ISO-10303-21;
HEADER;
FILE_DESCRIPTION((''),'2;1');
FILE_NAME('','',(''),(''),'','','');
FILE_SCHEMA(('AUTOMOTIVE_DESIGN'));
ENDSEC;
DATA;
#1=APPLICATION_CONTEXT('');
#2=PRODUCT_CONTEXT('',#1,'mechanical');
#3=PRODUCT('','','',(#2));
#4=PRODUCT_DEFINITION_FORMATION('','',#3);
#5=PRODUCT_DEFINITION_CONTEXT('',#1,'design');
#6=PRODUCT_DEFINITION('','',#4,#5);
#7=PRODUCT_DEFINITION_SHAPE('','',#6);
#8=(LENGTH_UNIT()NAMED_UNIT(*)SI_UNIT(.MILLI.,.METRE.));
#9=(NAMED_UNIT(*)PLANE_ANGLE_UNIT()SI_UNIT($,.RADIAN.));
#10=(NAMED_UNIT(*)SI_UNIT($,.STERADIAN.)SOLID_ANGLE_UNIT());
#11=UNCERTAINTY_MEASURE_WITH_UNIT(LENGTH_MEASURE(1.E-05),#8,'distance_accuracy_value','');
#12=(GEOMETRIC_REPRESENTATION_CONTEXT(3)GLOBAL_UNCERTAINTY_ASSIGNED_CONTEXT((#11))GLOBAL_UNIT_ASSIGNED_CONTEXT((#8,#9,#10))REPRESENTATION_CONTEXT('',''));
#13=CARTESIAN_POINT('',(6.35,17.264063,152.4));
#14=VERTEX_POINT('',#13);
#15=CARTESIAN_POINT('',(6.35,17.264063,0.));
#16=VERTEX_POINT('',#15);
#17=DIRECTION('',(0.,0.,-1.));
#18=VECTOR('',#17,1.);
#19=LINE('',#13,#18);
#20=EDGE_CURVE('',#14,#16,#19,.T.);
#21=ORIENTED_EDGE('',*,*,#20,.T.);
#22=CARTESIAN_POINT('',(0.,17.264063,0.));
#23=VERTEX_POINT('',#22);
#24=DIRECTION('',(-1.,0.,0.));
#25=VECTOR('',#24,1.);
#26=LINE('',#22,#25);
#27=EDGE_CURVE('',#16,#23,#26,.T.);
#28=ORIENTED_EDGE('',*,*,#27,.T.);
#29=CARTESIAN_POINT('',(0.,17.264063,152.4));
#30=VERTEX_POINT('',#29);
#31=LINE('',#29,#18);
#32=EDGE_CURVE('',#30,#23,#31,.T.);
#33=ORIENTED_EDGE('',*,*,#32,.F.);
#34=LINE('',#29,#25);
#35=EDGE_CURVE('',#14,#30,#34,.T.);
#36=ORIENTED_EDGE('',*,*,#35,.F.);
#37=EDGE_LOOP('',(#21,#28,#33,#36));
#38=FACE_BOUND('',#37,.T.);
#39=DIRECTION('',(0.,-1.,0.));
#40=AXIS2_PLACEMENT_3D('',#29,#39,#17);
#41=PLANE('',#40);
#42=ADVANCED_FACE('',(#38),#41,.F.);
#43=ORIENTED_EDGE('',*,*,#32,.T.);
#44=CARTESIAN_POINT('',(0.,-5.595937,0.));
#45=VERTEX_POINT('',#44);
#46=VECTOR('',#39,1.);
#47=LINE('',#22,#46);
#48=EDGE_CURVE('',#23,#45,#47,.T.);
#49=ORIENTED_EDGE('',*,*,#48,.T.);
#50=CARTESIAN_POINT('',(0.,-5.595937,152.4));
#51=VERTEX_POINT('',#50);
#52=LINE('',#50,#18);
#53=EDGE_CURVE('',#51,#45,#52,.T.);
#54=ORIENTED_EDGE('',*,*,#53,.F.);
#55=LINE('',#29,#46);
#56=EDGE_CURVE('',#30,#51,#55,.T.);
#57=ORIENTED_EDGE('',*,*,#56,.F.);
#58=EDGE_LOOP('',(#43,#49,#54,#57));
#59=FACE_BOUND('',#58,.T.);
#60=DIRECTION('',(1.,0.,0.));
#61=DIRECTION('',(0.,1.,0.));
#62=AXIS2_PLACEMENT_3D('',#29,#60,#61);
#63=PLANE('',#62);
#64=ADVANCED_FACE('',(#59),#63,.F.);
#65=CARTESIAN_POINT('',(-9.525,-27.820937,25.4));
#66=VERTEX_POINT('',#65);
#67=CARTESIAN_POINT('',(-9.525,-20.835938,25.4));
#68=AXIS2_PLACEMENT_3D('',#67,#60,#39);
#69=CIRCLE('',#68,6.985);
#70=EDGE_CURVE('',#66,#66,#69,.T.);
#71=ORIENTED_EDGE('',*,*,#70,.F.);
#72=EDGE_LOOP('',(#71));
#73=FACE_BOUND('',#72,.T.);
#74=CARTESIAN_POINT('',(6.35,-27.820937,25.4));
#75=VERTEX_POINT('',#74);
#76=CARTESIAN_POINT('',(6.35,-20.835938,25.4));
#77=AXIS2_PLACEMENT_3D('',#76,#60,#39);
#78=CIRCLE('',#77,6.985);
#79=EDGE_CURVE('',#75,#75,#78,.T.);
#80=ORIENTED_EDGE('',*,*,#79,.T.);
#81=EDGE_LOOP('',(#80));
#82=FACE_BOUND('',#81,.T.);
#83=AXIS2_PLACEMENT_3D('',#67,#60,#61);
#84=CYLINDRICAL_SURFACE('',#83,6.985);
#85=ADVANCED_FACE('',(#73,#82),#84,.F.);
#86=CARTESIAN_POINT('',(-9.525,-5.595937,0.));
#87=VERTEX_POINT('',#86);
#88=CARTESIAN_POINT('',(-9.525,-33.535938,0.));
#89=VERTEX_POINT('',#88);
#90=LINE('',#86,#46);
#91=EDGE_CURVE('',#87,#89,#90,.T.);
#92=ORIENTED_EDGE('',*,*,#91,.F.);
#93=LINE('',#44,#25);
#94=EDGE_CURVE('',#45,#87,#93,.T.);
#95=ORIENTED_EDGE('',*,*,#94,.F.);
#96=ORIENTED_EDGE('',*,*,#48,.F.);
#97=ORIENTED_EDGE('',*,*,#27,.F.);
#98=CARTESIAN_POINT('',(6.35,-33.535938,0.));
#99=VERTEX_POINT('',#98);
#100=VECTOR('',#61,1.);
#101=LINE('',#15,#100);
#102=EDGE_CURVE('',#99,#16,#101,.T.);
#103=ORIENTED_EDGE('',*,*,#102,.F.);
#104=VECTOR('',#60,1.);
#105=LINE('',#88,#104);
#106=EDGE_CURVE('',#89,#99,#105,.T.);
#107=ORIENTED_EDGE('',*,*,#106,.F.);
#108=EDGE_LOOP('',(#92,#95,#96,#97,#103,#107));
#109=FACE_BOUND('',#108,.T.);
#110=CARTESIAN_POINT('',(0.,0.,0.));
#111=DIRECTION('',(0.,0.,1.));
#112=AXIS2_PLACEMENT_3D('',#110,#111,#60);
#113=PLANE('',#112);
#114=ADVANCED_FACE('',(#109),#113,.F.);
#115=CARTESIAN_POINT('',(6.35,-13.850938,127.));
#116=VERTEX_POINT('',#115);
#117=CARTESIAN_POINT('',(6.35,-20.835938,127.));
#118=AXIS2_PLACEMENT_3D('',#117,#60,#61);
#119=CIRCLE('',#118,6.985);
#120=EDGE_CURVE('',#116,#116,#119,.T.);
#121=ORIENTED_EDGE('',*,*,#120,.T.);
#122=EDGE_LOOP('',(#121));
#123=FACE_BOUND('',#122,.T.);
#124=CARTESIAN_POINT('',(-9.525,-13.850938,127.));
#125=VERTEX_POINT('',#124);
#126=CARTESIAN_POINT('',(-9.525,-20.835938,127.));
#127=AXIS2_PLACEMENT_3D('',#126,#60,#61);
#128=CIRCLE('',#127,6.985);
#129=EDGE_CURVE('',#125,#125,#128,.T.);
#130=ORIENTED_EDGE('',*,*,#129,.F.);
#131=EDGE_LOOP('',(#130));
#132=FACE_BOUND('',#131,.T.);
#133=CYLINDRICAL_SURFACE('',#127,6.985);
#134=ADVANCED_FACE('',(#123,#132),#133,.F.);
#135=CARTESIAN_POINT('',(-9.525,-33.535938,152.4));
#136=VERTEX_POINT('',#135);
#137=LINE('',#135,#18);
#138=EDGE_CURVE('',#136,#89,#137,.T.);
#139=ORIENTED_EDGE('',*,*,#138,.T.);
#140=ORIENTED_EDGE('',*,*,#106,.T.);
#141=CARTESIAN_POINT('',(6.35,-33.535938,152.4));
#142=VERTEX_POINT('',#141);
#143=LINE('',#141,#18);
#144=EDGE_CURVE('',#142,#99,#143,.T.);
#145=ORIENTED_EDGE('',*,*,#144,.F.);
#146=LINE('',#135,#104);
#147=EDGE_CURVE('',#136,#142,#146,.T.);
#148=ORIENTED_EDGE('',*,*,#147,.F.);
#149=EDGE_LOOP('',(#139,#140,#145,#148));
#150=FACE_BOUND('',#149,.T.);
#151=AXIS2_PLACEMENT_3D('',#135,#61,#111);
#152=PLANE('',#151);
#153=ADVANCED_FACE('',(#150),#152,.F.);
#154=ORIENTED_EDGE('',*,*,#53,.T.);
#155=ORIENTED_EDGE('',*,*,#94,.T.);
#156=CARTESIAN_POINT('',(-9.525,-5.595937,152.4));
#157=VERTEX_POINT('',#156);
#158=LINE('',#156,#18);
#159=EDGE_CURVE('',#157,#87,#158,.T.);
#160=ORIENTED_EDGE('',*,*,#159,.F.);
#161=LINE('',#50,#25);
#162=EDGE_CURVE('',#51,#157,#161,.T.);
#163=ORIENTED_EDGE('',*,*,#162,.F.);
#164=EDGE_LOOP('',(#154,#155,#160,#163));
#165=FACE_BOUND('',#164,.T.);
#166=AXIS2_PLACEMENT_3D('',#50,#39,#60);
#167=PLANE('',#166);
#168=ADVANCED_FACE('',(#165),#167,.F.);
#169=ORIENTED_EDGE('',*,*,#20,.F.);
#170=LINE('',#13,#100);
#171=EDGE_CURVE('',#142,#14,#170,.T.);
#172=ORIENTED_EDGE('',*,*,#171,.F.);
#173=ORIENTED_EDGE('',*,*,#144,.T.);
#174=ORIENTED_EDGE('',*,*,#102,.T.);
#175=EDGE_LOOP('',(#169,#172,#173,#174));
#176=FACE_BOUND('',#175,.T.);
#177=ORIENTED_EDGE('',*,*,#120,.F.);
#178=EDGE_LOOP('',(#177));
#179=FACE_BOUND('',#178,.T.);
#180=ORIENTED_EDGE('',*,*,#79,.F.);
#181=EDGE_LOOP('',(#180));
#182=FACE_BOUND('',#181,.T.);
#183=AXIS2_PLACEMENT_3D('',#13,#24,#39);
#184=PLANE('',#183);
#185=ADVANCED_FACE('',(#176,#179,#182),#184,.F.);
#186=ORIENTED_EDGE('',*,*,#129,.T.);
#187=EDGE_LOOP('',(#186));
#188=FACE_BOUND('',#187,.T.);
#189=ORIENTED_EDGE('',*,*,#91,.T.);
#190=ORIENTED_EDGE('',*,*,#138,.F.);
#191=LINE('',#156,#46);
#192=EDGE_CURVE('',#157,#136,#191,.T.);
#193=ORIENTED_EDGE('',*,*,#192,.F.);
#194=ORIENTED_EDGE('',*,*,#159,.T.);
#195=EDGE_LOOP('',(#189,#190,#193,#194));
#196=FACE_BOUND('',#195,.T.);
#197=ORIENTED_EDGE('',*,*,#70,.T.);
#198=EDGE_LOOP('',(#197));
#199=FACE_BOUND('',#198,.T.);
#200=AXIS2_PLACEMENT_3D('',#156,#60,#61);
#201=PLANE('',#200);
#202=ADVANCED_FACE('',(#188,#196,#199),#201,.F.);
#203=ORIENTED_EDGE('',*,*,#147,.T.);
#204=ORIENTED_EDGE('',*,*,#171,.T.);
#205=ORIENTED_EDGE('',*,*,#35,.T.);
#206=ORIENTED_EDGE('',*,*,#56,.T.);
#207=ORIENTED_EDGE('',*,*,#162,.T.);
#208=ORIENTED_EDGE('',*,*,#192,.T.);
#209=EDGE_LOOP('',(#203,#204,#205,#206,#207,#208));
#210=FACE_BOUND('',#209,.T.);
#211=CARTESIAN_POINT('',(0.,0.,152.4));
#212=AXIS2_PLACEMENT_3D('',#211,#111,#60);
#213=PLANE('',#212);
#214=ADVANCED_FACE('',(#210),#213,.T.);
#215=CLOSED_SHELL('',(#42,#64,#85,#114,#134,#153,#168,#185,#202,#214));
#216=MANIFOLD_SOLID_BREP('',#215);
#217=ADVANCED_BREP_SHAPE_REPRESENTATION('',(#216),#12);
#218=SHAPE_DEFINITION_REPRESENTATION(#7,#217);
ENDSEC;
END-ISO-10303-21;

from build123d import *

# Parameters (mm, degrees)
BOSS_EXTRUDE1_DEPTH = 152.4
SKETCH2_R           = 6.985
CUT_EXTRUDE1_DEPTH  = 15.875


with BuildPart() as part:
    # Sketch1 → Boss-Extrude1 (new body)
    with BuildSketch(Plane.XY):
        Polygon((0, 17.2640625), (0, -5.5959375), (-9.525, -5.5959375), (-9.525, -33.5359375), (6.35, -33.5359375), (6.35, 17.2640625), align=None)
    extrude(amount=BOSS_EXTRUDE1_DEPTH)

    # Sketch2 → Cut-Extrude1 (cut)
    with BuildSketch(Plane(origin=(6.35, 0, 0), x_dir=(0, 0, -1), z_dir=(1, 0, 0))):
        with Locations(Location((-127, -20.8359375, 0), (0, 0, 90))):
            Circle(SKETCH2_R)
        with Locations(Location((-25.4, -20.8359375, 0), (0, 0, 270))):
            Circle(SKETCH2_R)
    extrude(amount=-CUT_EXTRUDE1_DEPTH, mode=Mode.SUBTRACT)


solid = part.part
